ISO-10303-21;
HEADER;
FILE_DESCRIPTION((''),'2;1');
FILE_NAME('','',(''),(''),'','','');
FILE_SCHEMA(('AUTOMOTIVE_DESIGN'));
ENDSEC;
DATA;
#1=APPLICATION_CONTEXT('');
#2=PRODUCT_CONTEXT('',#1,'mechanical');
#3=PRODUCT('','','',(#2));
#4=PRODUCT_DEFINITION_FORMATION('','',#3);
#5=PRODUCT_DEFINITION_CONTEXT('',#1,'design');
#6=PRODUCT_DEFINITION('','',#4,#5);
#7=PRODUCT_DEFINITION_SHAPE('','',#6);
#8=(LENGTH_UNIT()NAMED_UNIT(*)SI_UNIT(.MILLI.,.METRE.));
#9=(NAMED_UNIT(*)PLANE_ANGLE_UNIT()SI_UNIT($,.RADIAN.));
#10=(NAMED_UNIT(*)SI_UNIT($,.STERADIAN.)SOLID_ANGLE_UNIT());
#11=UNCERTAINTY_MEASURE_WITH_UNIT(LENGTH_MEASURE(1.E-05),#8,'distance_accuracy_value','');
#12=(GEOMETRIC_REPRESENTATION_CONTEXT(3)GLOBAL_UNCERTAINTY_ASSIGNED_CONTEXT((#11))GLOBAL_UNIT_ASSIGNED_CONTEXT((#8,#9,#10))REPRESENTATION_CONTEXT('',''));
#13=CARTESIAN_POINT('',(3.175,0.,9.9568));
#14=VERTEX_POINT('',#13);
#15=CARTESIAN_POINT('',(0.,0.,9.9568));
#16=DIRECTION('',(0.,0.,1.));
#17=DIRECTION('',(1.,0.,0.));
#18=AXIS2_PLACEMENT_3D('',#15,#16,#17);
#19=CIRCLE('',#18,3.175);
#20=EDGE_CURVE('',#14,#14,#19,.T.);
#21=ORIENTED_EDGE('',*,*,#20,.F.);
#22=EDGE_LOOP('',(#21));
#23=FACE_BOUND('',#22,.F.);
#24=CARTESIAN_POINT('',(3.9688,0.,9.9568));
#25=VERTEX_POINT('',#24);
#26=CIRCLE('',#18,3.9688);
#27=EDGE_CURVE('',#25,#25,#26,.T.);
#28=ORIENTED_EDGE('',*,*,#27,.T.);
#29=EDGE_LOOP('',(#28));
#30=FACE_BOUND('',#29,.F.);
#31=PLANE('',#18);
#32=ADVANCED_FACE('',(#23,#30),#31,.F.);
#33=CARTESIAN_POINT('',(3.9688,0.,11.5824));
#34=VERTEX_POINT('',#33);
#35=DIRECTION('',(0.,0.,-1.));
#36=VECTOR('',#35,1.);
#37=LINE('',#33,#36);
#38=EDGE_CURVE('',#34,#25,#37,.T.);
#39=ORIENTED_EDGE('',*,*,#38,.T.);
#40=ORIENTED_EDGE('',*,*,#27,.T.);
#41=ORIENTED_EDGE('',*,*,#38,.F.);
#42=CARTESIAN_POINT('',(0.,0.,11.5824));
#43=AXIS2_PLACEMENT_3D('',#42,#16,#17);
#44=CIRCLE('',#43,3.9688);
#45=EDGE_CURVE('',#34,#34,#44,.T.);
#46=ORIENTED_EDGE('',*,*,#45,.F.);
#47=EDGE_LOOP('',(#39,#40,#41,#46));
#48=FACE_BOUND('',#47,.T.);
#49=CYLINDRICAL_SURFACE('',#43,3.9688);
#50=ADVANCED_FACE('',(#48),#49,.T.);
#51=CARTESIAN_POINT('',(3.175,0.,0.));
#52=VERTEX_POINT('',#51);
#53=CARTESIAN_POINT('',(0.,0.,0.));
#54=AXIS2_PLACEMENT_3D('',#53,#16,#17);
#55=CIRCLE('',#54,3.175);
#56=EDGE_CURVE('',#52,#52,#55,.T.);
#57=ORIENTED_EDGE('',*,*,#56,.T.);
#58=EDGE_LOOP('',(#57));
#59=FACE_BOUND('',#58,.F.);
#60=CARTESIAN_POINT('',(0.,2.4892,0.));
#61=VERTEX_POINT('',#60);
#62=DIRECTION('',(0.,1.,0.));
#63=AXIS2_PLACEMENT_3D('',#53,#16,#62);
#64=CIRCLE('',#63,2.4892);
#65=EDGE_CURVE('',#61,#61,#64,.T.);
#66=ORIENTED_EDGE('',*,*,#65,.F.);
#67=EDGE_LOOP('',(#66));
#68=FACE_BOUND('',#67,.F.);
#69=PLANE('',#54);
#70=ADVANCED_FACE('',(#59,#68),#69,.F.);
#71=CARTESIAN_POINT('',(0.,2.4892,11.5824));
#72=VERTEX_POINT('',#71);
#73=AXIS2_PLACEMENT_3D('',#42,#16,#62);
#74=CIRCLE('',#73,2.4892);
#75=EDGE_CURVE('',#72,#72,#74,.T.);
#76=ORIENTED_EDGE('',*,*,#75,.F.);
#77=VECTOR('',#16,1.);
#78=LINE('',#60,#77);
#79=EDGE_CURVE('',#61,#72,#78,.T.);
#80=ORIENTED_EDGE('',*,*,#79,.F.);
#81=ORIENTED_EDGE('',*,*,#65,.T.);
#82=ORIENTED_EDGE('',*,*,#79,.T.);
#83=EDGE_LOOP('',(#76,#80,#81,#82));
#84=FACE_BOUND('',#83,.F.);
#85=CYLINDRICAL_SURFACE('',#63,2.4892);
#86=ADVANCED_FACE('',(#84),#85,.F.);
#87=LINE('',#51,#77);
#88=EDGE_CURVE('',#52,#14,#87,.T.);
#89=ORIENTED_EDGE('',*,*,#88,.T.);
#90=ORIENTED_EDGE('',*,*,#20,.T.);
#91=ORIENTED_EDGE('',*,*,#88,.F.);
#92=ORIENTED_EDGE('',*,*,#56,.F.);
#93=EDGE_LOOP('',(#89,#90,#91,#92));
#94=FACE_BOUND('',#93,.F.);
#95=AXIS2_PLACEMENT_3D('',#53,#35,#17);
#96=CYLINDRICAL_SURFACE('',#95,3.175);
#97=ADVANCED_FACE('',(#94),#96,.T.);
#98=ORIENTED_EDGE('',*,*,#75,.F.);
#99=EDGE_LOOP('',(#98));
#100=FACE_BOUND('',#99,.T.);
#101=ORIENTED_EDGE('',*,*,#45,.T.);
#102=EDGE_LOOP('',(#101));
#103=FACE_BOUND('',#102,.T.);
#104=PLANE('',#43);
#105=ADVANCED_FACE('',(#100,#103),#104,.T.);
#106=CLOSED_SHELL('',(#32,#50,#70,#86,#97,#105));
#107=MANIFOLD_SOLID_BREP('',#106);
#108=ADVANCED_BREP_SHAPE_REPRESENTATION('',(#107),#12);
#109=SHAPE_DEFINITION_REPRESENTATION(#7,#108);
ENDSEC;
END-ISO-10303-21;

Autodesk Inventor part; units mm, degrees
ref_plane "YZ Plane" through (0, 0, 0) normal (1, 0, 0) x (0, 1, 0)
ref_plane "XZ Plane" through (0, 0, 0) normal (0, 1, 0) x (-1, 0, 0)
ref_plane "XY Plane" through (0, 0, 0) normal (0, 0, 1) x (1, 0, 0)
sketch "Sketch1" plane through (0, 0, 0) normal (0, 0, 1) x (1, 0, 0)
  circle A0 centre (0, 0) radius 3.175
  dimension "d0" = 6.35
extrude "Extrusion1" add sketch "Sketch1" along normal blind 11.5824
hole "Hole1" at (0, 0, 0) direction (0, 0, 1) diameter 4.9784 end through all clearance for "Socket Head Cap Screw" size "#10" standard "Ansi Unified Screw Threads"
sketch "Sketch2" plane through (0, 0, 11.5824) normal (0, 0, 1) x (1, 0, 0)
  circle A0 centre (0, 0) radius 3.175 projected
  circle A1 centre (0, 0) radius 3.9688
  dimension "d10" = 7.9375
extrude "Extrusion2" add sketch "Sketch2" against normal blind 1.6256
properties part number "Tensioning Shaft"
